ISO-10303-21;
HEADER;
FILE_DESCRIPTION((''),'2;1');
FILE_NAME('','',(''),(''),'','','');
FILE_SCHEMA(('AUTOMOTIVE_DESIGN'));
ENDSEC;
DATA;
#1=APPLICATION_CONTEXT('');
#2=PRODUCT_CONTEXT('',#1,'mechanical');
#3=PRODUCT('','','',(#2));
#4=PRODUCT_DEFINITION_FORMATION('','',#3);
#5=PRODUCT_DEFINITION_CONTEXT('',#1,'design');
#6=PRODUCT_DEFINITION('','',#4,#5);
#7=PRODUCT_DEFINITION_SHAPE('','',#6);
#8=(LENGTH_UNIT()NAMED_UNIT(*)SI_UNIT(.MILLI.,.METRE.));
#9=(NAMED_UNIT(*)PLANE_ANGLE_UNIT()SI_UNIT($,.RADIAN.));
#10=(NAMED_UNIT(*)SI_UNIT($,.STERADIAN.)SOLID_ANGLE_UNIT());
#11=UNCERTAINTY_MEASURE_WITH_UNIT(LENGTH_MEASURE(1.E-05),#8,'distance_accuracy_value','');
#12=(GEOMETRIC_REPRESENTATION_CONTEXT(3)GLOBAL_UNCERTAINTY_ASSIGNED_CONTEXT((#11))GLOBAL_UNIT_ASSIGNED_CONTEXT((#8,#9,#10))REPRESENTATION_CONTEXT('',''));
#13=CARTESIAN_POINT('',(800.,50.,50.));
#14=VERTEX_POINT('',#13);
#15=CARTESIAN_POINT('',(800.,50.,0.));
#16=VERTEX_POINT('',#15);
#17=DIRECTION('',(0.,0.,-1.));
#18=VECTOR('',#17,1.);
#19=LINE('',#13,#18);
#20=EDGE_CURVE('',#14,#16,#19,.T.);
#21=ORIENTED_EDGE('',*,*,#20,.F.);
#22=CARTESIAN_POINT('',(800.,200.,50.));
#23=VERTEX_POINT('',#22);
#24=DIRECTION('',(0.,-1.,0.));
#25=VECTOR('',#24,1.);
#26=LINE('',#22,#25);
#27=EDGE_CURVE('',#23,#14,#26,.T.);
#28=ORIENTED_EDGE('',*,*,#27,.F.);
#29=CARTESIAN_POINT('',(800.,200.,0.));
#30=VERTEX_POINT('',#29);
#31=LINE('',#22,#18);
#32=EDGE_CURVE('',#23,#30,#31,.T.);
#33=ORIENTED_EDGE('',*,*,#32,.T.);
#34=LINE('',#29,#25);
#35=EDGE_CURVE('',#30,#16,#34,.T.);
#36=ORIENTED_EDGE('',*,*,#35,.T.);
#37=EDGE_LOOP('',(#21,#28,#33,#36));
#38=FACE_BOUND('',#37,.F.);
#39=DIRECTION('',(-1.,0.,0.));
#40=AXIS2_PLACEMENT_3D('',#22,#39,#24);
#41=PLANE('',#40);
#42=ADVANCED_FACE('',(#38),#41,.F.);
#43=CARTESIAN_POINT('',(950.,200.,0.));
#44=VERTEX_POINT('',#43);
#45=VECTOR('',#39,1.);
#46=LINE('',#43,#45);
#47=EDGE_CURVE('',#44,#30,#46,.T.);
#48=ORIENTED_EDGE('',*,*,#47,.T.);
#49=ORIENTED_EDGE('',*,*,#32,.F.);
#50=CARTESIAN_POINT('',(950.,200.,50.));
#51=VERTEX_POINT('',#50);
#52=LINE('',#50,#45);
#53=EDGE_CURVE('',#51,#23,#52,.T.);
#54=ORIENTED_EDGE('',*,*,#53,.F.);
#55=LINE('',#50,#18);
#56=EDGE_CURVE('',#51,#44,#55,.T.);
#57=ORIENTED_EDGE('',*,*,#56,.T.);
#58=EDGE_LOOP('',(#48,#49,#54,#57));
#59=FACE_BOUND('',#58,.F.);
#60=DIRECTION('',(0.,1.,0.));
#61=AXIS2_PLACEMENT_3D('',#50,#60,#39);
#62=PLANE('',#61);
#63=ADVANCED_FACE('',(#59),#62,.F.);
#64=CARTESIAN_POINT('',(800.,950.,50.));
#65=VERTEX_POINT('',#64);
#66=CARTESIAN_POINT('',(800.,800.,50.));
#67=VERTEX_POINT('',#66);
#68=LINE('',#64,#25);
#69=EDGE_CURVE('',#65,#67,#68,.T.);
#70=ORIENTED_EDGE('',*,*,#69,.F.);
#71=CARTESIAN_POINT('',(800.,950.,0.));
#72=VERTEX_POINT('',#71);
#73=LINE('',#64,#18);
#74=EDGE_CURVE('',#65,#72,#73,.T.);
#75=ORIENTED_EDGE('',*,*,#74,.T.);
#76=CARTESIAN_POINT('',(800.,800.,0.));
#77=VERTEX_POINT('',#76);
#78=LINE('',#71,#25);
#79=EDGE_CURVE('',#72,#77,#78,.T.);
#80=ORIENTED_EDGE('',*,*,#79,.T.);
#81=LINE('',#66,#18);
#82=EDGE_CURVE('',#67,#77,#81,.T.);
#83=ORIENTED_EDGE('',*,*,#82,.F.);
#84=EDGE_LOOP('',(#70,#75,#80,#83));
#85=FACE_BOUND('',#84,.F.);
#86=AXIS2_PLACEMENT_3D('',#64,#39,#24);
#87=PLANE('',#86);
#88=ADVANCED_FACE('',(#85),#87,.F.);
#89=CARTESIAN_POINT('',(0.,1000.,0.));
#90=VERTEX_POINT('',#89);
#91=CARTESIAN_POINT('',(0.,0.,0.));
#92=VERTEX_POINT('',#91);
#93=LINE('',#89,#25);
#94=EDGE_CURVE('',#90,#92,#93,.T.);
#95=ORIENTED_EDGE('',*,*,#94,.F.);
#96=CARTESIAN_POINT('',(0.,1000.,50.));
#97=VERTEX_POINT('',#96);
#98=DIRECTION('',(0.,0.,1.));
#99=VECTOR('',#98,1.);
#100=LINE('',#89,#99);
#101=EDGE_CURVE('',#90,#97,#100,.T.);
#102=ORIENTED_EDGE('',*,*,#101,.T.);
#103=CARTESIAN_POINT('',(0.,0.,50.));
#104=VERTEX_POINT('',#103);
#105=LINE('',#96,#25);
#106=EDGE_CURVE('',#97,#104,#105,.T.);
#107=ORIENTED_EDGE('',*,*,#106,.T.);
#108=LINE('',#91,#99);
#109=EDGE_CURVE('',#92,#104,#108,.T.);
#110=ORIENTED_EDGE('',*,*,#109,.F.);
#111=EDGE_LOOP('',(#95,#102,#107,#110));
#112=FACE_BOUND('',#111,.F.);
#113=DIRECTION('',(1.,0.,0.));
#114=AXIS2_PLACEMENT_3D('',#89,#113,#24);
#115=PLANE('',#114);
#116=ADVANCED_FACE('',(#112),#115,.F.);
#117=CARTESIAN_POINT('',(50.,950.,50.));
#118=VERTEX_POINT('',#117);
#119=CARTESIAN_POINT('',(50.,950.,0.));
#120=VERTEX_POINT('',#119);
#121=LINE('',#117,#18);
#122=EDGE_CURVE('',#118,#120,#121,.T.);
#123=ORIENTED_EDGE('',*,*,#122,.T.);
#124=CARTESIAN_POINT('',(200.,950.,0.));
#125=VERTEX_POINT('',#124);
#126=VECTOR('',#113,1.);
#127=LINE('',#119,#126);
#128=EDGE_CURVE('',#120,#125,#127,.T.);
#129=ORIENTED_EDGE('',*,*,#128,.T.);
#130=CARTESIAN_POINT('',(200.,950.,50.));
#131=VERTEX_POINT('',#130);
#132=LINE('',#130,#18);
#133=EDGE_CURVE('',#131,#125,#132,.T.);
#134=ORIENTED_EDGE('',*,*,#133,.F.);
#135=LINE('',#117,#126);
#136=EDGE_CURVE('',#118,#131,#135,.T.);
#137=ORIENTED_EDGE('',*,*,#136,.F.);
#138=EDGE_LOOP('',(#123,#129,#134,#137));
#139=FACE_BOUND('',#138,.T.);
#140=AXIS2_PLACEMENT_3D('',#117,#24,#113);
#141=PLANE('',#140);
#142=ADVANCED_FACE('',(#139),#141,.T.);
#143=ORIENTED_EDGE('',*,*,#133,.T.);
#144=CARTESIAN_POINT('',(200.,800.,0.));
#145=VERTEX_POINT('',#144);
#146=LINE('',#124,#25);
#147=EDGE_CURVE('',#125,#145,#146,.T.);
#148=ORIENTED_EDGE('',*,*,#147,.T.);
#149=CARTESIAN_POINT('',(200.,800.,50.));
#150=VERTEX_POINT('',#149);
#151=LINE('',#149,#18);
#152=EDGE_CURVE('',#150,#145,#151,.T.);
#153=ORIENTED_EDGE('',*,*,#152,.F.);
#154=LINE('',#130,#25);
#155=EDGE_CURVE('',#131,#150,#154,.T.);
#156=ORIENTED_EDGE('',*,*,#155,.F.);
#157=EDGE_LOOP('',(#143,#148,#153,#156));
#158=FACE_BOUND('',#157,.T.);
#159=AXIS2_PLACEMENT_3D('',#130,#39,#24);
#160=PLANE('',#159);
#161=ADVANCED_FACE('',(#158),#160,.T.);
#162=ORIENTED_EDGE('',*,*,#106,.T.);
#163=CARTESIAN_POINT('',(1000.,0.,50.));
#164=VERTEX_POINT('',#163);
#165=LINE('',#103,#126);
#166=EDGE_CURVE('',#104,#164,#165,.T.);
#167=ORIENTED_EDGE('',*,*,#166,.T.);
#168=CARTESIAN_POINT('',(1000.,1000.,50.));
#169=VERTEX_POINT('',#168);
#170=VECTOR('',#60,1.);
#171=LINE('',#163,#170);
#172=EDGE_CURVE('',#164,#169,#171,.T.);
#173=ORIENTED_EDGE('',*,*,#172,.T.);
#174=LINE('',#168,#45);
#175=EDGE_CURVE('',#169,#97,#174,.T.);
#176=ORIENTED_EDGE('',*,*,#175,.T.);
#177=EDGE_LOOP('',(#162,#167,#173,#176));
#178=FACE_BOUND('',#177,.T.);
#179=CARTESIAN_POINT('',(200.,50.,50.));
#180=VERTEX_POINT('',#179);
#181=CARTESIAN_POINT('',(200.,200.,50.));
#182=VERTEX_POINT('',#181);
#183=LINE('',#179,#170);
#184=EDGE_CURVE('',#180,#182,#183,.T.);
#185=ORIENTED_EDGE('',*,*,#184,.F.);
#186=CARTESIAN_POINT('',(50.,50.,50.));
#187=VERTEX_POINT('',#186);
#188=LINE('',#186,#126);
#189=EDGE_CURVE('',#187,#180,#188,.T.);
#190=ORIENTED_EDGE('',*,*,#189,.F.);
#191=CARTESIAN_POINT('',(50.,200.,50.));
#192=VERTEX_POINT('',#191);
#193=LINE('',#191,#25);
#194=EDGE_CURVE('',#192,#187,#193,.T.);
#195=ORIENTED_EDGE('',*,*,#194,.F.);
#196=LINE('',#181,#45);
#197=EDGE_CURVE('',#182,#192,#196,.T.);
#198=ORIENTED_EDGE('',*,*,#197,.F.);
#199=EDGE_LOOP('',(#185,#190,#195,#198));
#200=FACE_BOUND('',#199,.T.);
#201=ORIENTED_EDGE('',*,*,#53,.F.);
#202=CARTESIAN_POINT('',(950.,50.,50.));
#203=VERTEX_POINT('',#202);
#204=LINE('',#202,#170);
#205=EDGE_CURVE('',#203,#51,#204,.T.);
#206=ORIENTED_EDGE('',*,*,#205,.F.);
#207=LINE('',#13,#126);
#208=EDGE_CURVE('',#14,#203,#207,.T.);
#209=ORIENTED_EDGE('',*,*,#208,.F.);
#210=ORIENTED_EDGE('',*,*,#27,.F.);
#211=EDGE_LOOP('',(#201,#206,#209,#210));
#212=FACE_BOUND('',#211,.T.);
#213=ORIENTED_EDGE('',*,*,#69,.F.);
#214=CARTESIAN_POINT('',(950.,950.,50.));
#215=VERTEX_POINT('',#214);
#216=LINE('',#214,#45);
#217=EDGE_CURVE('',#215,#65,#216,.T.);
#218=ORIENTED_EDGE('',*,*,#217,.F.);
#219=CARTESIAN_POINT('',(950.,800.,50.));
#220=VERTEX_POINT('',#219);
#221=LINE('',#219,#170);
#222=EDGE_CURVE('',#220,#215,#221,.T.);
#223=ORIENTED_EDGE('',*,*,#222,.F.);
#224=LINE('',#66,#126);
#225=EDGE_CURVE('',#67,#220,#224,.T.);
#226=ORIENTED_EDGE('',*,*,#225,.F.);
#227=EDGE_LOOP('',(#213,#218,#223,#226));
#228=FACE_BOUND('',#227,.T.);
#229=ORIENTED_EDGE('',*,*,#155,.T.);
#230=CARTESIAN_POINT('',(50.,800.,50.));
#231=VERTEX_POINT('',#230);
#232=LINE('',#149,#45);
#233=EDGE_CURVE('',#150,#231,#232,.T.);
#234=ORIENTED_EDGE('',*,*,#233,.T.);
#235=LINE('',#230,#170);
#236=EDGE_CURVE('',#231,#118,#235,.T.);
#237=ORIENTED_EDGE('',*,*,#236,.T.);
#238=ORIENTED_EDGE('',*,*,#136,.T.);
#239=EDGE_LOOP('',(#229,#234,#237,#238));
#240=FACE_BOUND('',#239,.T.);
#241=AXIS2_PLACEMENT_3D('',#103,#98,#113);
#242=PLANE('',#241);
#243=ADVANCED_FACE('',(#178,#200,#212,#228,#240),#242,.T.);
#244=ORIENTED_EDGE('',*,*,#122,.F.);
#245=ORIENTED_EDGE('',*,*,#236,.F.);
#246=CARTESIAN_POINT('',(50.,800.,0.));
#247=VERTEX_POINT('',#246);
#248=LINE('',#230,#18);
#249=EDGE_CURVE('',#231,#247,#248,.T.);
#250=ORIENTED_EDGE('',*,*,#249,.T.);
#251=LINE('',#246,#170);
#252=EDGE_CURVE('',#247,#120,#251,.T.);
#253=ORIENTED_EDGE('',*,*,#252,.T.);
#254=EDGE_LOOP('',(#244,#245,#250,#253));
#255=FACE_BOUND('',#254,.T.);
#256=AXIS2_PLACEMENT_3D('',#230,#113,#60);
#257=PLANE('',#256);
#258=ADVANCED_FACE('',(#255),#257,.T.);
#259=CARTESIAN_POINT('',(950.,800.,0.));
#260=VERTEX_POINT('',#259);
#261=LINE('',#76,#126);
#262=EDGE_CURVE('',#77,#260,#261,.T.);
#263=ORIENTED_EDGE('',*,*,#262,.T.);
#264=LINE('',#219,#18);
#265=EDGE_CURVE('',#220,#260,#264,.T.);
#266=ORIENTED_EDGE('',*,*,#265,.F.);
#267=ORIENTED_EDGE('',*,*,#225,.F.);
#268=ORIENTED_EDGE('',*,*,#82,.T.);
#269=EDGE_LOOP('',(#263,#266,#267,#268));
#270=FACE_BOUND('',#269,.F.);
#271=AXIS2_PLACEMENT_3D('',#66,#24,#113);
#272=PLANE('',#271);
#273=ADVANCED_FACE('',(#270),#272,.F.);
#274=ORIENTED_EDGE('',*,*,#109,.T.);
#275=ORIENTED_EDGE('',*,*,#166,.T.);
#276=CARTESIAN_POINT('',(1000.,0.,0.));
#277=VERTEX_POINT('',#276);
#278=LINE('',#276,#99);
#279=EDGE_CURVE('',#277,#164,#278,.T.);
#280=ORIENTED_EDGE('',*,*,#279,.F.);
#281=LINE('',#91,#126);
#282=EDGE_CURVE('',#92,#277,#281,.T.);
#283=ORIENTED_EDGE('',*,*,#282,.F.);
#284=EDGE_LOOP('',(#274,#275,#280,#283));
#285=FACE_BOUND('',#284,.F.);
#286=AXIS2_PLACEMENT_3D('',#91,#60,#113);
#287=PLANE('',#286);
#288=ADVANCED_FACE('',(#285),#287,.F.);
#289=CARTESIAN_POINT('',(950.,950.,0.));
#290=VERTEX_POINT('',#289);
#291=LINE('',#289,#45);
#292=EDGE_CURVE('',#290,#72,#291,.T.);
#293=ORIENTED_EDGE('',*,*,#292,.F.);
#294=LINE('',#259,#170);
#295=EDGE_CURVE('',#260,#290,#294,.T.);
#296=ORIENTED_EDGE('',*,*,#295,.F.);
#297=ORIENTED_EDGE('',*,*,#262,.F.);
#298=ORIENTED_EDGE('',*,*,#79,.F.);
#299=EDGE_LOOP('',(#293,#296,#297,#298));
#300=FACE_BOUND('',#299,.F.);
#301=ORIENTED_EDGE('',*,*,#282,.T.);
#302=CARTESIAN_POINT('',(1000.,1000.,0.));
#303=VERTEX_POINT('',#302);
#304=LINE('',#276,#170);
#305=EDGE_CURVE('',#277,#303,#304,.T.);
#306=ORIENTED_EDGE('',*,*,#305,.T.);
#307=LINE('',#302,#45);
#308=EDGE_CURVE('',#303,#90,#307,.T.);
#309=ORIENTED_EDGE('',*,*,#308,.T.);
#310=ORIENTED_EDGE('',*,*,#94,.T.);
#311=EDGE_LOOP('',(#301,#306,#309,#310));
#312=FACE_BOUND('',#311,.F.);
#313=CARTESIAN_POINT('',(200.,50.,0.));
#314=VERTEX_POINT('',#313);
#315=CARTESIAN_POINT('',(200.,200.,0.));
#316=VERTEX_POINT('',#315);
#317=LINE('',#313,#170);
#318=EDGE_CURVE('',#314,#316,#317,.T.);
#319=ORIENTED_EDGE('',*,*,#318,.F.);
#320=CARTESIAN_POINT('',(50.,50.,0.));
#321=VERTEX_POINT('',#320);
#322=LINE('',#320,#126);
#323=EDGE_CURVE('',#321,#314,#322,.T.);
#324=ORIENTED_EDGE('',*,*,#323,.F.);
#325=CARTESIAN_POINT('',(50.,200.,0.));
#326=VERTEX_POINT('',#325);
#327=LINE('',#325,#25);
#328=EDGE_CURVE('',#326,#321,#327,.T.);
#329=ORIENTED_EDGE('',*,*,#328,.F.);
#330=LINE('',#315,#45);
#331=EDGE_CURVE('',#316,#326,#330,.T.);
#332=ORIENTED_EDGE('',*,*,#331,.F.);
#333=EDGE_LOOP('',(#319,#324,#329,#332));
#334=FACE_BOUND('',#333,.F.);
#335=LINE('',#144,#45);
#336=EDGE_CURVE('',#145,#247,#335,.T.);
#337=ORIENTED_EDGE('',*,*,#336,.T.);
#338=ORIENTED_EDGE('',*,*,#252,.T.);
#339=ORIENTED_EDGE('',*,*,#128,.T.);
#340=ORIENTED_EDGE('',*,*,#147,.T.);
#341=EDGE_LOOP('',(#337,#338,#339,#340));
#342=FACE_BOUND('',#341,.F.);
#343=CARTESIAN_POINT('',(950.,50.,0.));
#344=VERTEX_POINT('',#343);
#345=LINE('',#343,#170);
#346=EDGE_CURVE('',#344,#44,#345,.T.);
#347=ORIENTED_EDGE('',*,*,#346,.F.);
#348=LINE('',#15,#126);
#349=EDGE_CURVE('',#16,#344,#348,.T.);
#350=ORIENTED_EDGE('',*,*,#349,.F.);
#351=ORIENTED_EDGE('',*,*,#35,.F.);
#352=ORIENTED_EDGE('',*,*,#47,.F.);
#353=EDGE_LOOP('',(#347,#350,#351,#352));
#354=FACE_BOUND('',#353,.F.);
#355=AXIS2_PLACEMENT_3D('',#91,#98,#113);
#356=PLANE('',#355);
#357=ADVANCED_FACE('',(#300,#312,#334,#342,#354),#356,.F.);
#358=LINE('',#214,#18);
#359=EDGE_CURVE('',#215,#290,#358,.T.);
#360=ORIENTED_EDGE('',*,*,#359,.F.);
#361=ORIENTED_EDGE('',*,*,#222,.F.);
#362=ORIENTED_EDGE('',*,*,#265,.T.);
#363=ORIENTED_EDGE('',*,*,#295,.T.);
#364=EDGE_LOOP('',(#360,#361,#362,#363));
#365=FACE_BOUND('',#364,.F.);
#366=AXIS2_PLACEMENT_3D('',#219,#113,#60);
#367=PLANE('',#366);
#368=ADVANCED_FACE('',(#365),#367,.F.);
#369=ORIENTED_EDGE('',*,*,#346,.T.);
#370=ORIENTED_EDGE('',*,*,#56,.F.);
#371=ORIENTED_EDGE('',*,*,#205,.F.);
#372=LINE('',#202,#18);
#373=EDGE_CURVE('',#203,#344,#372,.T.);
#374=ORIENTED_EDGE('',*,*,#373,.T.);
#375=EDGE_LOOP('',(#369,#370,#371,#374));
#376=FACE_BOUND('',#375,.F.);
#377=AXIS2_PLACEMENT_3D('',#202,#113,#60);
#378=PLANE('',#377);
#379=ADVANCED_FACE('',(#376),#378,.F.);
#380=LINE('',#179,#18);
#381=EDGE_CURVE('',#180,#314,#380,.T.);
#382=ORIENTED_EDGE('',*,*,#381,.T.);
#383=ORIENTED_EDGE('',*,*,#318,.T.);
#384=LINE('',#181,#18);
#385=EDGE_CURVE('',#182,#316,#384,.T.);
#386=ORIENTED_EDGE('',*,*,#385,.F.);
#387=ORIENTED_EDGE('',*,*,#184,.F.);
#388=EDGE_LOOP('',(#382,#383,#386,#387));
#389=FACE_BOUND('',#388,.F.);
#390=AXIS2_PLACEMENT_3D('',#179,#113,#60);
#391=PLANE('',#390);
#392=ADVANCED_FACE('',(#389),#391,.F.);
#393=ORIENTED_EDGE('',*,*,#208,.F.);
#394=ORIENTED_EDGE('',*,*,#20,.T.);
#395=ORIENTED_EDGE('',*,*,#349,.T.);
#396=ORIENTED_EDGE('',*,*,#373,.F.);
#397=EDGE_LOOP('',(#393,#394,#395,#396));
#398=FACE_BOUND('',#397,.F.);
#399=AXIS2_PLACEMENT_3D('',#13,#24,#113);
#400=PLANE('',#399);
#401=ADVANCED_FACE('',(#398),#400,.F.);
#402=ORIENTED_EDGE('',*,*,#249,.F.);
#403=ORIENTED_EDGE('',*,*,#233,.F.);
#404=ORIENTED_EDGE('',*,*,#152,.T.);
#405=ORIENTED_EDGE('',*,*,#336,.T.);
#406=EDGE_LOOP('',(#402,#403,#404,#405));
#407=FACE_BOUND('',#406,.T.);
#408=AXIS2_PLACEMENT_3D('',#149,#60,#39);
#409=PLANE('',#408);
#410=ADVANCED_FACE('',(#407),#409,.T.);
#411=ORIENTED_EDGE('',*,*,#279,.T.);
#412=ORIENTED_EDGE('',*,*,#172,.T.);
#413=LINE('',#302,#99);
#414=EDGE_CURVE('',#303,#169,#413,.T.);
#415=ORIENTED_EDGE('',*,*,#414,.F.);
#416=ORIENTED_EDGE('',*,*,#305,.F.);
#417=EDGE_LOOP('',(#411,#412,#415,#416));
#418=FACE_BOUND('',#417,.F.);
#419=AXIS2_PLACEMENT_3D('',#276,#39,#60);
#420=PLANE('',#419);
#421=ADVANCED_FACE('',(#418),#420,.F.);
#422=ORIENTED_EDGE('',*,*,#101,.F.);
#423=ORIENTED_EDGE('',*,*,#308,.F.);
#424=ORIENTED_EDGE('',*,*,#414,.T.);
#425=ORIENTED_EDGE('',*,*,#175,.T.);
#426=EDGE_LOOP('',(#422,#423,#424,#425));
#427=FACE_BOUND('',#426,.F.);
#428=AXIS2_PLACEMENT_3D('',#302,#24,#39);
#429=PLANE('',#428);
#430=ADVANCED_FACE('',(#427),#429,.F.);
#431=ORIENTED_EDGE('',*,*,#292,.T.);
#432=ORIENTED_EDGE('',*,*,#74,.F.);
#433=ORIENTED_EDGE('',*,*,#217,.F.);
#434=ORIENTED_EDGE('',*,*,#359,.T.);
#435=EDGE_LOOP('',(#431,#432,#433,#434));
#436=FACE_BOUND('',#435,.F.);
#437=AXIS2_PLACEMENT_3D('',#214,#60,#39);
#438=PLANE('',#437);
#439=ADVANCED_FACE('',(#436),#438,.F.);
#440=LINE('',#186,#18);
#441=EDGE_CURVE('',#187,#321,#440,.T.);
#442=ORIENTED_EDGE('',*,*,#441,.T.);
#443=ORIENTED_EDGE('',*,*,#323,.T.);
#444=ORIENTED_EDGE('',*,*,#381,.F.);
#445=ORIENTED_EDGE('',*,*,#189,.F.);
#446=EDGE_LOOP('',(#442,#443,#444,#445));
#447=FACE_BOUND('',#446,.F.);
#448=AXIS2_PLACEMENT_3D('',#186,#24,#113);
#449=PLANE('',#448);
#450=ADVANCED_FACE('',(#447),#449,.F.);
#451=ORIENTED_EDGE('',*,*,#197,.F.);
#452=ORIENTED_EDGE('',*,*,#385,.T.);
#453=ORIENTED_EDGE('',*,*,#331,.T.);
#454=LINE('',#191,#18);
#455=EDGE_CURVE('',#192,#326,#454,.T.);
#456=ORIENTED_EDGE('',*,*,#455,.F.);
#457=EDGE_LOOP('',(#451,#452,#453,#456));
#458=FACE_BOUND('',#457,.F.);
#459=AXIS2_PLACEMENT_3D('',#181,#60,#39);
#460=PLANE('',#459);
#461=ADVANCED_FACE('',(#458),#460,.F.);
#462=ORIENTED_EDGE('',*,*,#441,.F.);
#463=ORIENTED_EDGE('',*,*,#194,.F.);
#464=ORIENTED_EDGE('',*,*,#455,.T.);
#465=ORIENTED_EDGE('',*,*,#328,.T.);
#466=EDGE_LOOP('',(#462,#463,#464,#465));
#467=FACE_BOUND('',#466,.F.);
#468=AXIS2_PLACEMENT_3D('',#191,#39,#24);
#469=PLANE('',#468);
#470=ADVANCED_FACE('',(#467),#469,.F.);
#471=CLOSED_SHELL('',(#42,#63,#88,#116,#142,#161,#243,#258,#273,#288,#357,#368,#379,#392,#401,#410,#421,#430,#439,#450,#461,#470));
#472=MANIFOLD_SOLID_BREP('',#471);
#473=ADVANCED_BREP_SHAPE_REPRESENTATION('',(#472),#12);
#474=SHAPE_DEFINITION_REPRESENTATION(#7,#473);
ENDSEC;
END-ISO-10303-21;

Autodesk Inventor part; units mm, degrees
ref_plane "YZ Plane" through (0, 0, 0) normal (1, 0, 0) x (0, 1, 0)
ref_plane "XZ Plane" through (0, 0, 0) normal (0, 1, 0) x (-1, 0, 0)
ref_plane "XY Plane" through (0, 0, 0) normal (0, 0, 1) x (1, 0, 0)
sketch "Boceto1" plane through (0, 0, 0) normal (0, 0, 1) x (1, 0, 0)
  line L0 (0, 0) -> (1000, 0)
  line L1 (1000, 0) -> (1000, 1000)
  line L2 (1000, 1000) -> (0, 1000)
  line L3 (0, 1000) -> (0, 0)
  dimension "d0" = 1000
  dimension "d1" = 1000
extrude "Extrusión1" add sketch "Boceto1" along normal blind 50
sketch "Boceto3" plane through (0, 0, 50) normal (0, 0, 1) x (1, 0, 0)
  line L0 (1000, 1000) -> (0, 1000) projected
  line L1 (0, 1000) -> (0, 0) projected
  line L2 (50, 950) -> (200, 950)
  line L3 (200, 950) -> (200, 800)
  line L4 (200, 800) -> (50, 800)
  line L5 (50, 800) -> (50, 950)
  line L6 (800, 800) -> (950, 800)
  line L7 (950, 800) -> (950, 950)
  line L8 (950, 950) -> (800, 950)
  line L9 (800, 950) -> (800, 800)
  line L10 (800, 800) -> (950, 950) construction
  line L11 (950, 800) -> (800, 950) construction
  line L12 (1000, 0) -> (1000, 1000) projected
  line L13 (850, 900) -> (900, 900)
  line L14 (900, 900) -> (900, 850)
  line L15 (900, 850) -> (850, 850)
  line L16 (850, 850) -> (850, 900)
  line L17 (850, 900) -> (900, 850) construction
  line L18 (900, 900) -> (850, 850) construction
  line L19 (50, 50) -> (200, 50)
  line L20 (200, 50) -> (200, 200)
  line L21 (200, 200) -> (50, 200)
  line L22 (50, 200) -> (50, 50)
  line L23 (50, 50) -> (200, 200) construction
  line L24 (200, 50) -> (50, 200) construction
  line L25 (0, 0) -> (1000, 0) projected
  line L26 (100, 100) -> (150, 100)
  line L27 (150, 100) -> (150, 150)
  line L28 (150, 150) -> (100, 150)
  line L29 (100, 150) -> (100, 100)
  line L30 (100, 100) -> (150, 150) construction
  line L31 (150, 100) -> (100, 150) construction
  line L32 (800, 50) -> (950, 50)
  line L33 (950, 50) -> (950, 200)
  line L34 (950, 200) -> (800, 200)
  line L35 (800, 200) -> (800, 50)
  line L36 (800, 50) -> (950, 200) construction
  line L37 (950, 50) -> (800, 200) construction
  line L38 (850, 150) -> (900, 150)
  line L39 (900, 150) -> (900, 100)
  line L40 (900, 100) -> (850, 100)
  line L41 (850, 100) -> (850, 150)
  line L42 (850, 150) -> (900, 100) construction
  line L43 (900, 150) -> (850, 100) construction
  line L44 (50, 450) -> (200, 600) construction
  line L45 (200, 450) -> (50, 600) construction
  line L46 (100, 550) -> (150, 500) construction
  line L47 (150, 550) -> (100, 500) construction
  line L48 (100, 900) -> (150, 900)
  line L49 (150, 900) -> (150, 850)
  line L50 (150, 850) -> (100, 850)
  line L51 (100, 850) -> (100, 900)
  line L52 (100, 900) -> (150, 850) construction
  line L53 (150, 900) -> (100, 850) construction
  point P0 (875, 875)
  point P1 (125, 125)
  point P2 (875, 125)
  point P3 (875, 125)
  point P4 (125, 525)
  point P5 (125, 525)
  point P6 (125, 875)
  point P7 (125, 900)
  point P8 (125, 950)
  point P9 (50, 875)
  dimension "d19" = 150
  dimension "d20" = 150
  dimension "d21" = 50
  dimension "d22" = 50
  dimension "d25" = 150
  dimension "d26" = 150
  dimension "d27" = 50
  dimension "d28" = 50
  dimension "d29" = 50
  dimension "d30" = 50
  dimension "d31" = 150
  dimension "d32" = 150
  dimension "d33" = 50
  dimension "d34" = 50
  dimension "d35" = 50
  dimension "d36" = 50
  dimension "d37" = 150
  dimension "d38" = 150
  dimension "d39" = 50
  dimension "d40" = 50
  dimension "d41" = 50
  dimension "d42" = 50
  dimension "d43" = 150
  dimension "d44" = 150
  dimension "d45" = 50
  dimension "d46" = 50
  dimension "d48" = 400
  dimension "d51" = 50
  dimension "d52" = 50
  dimension "d53" = 50
  dimension "d54" = 50
extrude "Extrusión2" cut sketch "Boceto3" against normal blind 50 contours L2 L3 L4 L5 | L9 L8 L7 L6 | L13 L14 L15 L16 | L22 L21 L20 L19 | L29 L28 L27 L26 | L35 L34 L33 L32 | L38 L39 L40 L41 | L48 L49 L50 L51
properties part number "Base"
